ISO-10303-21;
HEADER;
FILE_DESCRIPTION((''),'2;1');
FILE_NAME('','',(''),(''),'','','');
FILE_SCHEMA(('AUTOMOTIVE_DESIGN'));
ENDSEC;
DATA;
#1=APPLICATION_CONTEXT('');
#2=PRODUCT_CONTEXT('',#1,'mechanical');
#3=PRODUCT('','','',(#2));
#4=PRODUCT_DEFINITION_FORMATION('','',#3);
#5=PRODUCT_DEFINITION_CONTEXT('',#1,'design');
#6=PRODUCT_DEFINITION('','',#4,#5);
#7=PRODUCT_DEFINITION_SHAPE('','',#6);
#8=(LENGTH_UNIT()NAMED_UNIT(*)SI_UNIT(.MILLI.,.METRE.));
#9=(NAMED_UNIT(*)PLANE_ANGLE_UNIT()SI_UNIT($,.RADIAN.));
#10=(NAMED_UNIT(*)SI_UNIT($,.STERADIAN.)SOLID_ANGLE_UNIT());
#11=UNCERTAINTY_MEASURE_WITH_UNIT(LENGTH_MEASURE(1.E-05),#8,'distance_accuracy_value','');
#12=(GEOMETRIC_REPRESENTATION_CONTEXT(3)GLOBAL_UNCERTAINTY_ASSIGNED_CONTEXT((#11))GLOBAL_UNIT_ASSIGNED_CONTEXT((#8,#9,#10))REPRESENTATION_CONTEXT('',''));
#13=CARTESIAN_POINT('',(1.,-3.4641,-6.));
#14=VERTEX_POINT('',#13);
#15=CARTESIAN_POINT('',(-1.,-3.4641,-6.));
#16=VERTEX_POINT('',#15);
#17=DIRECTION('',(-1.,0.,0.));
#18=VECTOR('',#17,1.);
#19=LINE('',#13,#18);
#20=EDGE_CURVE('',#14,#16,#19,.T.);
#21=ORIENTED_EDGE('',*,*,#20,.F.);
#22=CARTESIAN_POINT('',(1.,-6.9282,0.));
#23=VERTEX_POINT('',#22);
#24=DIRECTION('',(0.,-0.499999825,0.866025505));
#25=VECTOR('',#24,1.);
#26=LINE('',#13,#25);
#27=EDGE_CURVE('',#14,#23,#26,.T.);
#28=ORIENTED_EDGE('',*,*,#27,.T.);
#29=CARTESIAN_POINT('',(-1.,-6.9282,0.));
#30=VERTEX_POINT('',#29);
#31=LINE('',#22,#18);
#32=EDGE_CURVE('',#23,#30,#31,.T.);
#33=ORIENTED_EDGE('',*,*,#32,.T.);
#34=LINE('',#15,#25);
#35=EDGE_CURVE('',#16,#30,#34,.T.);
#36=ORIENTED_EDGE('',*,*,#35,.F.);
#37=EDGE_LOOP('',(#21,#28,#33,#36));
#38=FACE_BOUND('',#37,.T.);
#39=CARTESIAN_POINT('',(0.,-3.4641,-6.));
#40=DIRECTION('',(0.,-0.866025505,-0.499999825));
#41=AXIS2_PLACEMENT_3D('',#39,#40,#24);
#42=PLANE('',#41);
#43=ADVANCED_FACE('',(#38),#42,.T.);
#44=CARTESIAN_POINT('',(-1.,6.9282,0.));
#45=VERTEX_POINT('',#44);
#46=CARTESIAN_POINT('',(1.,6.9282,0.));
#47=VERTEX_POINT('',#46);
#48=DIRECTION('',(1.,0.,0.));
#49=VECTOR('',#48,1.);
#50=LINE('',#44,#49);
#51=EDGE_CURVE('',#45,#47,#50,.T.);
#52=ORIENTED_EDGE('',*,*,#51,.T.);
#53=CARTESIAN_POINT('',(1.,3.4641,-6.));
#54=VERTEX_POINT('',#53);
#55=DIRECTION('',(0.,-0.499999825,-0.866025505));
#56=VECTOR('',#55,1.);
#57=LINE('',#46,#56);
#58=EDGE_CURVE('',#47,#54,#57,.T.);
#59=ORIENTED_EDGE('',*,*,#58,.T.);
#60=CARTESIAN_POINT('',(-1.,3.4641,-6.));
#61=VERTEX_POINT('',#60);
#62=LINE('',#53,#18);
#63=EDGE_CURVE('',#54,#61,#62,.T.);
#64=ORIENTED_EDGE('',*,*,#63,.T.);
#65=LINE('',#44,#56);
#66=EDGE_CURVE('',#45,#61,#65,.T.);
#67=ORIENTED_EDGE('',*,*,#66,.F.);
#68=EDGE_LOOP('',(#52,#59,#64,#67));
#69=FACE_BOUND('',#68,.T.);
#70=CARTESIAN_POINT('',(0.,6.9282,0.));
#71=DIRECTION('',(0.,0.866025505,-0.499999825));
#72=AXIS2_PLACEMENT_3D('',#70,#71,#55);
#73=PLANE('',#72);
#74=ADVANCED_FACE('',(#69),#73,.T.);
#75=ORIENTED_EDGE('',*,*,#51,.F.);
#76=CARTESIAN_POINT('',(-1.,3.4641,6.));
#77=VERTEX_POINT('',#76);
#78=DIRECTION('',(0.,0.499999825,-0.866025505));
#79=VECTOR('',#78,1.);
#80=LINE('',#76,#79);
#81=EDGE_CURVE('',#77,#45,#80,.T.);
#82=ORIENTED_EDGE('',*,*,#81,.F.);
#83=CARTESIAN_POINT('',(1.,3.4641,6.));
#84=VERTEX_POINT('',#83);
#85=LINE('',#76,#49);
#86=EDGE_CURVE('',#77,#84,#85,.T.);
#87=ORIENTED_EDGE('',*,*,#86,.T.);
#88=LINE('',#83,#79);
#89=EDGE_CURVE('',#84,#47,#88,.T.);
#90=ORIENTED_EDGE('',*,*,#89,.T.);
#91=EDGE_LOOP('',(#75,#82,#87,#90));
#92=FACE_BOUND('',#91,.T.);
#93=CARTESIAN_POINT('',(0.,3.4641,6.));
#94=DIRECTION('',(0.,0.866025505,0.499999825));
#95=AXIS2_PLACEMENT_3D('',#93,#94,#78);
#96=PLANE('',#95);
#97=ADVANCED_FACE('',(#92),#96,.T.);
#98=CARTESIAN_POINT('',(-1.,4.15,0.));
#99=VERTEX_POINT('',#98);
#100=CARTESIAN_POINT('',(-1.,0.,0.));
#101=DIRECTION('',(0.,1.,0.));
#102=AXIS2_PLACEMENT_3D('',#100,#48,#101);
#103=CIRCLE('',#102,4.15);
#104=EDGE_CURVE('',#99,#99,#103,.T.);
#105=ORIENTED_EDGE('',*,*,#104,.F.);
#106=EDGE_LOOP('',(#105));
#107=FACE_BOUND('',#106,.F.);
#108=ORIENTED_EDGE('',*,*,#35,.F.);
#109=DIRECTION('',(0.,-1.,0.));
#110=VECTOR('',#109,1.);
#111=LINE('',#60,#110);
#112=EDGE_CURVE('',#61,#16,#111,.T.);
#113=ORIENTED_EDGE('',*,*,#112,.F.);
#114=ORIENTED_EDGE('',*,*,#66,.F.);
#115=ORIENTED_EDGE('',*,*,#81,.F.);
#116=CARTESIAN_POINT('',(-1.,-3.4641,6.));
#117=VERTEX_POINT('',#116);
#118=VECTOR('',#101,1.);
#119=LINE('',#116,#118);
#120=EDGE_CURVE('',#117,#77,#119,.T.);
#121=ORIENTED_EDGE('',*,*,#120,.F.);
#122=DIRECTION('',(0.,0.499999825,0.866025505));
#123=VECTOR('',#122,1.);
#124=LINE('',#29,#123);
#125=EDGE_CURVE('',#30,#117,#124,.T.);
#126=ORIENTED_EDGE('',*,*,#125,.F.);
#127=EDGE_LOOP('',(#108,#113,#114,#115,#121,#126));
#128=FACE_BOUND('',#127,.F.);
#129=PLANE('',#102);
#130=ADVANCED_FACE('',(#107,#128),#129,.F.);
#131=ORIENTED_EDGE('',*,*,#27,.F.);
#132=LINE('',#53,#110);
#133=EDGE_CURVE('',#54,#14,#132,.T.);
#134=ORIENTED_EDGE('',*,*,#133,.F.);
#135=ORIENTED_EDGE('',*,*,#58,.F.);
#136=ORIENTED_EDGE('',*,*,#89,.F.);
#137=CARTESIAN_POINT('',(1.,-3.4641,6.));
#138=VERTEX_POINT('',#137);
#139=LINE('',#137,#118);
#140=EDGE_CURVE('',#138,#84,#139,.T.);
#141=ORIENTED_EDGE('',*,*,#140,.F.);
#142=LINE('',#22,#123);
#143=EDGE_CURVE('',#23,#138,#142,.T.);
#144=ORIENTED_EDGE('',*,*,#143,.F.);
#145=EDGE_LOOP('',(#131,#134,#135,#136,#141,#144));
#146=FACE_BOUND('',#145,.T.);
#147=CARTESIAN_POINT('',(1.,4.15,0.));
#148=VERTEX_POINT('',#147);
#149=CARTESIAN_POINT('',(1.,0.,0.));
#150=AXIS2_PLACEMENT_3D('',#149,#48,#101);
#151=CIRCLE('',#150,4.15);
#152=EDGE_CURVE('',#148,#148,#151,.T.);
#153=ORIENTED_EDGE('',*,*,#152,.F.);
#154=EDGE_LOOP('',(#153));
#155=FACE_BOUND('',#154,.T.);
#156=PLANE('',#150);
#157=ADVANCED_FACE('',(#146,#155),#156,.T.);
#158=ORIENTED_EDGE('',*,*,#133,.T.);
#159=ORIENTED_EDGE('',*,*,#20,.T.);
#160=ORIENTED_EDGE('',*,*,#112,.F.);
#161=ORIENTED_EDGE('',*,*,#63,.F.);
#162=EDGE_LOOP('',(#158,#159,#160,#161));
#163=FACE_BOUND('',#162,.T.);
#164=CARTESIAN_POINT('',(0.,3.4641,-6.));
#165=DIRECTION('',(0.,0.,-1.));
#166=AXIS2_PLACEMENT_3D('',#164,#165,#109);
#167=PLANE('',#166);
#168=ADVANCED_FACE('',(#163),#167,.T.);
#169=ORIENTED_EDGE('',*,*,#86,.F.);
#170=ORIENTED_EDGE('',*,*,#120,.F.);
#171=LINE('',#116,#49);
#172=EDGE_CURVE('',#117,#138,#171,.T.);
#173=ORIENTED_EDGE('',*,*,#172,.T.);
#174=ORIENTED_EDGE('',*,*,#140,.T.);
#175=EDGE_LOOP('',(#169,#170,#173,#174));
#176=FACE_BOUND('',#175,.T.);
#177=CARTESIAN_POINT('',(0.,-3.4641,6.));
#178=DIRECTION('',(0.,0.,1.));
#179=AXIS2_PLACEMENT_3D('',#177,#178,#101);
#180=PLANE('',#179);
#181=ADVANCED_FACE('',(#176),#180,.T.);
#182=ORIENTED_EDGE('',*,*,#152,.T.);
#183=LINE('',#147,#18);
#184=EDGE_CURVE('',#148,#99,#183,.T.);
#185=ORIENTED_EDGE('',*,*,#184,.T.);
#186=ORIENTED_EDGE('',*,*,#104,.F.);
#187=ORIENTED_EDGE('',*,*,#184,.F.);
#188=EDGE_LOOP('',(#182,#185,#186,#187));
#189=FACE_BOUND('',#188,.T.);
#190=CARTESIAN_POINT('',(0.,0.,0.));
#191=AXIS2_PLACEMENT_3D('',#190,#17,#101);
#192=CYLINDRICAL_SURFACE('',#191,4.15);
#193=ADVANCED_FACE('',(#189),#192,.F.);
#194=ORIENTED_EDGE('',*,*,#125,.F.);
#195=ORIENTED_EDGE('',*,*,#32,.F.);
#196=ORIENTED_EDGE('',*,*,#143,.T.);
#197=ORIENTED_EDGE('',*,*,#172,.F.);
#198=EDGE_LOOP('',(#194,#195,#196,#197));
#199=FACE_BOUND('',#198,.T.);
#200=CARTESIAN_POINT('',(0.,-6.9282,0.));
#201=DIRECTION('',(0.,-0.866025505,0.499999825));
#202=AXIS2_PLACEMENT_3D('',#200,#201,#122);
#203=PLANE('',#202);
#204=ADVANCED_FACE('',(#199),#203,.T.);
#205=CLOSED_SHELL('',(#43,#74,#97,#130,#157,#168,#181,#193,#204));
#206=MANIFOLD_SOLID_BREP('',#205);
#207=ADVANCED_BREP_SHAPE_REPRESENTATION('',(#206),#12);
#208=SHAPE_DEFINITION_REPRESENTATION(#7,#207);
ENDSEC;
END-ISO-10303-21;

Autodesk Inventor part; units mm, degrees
ref_plane "YZ Plane" through (0, 0, 0) normal (1, 0, 0) x (0, 1, 0)
ref_plane "XZ Plane" through (0, 0, 0) normal (0, 1, 0) x (-1, 0, 0)
ref_plane "XY Plane" through (0, 0, 0) normal (0, 0, 1) x (1, 0, 0)
sketch "Sketch1" plane through (0, 0, 0) normal (1, 0, 0) x (0, 1, 0)
  line L0 (6.9282, 0) -> (3.4641, -6)
  line L1 (3.4641, -6) -> (-3.4641, -6)
  line L2 (-3.4641, -6) -> (-6.9282, 0)
  line L3 (-6.9282, 0) -> (-3.4641, 6)
  line L4 (-3.4641, 6) -> (3.4641, 6)
  line L5 (3.4641, 6) -> (6.9282, 0)
  circle A0 centre (0, 0) radius 4.15
  dimension "d0" = 12
  dimension "d1" = 8.3
extrude "Extrusion1" add sketch "Sketch1" along normal mid plane 2
thread "Thread1" size "M8x1" class "6H" standard "ANSI Metric M Profile" full length
properties part number "Porca do Plug P10"
